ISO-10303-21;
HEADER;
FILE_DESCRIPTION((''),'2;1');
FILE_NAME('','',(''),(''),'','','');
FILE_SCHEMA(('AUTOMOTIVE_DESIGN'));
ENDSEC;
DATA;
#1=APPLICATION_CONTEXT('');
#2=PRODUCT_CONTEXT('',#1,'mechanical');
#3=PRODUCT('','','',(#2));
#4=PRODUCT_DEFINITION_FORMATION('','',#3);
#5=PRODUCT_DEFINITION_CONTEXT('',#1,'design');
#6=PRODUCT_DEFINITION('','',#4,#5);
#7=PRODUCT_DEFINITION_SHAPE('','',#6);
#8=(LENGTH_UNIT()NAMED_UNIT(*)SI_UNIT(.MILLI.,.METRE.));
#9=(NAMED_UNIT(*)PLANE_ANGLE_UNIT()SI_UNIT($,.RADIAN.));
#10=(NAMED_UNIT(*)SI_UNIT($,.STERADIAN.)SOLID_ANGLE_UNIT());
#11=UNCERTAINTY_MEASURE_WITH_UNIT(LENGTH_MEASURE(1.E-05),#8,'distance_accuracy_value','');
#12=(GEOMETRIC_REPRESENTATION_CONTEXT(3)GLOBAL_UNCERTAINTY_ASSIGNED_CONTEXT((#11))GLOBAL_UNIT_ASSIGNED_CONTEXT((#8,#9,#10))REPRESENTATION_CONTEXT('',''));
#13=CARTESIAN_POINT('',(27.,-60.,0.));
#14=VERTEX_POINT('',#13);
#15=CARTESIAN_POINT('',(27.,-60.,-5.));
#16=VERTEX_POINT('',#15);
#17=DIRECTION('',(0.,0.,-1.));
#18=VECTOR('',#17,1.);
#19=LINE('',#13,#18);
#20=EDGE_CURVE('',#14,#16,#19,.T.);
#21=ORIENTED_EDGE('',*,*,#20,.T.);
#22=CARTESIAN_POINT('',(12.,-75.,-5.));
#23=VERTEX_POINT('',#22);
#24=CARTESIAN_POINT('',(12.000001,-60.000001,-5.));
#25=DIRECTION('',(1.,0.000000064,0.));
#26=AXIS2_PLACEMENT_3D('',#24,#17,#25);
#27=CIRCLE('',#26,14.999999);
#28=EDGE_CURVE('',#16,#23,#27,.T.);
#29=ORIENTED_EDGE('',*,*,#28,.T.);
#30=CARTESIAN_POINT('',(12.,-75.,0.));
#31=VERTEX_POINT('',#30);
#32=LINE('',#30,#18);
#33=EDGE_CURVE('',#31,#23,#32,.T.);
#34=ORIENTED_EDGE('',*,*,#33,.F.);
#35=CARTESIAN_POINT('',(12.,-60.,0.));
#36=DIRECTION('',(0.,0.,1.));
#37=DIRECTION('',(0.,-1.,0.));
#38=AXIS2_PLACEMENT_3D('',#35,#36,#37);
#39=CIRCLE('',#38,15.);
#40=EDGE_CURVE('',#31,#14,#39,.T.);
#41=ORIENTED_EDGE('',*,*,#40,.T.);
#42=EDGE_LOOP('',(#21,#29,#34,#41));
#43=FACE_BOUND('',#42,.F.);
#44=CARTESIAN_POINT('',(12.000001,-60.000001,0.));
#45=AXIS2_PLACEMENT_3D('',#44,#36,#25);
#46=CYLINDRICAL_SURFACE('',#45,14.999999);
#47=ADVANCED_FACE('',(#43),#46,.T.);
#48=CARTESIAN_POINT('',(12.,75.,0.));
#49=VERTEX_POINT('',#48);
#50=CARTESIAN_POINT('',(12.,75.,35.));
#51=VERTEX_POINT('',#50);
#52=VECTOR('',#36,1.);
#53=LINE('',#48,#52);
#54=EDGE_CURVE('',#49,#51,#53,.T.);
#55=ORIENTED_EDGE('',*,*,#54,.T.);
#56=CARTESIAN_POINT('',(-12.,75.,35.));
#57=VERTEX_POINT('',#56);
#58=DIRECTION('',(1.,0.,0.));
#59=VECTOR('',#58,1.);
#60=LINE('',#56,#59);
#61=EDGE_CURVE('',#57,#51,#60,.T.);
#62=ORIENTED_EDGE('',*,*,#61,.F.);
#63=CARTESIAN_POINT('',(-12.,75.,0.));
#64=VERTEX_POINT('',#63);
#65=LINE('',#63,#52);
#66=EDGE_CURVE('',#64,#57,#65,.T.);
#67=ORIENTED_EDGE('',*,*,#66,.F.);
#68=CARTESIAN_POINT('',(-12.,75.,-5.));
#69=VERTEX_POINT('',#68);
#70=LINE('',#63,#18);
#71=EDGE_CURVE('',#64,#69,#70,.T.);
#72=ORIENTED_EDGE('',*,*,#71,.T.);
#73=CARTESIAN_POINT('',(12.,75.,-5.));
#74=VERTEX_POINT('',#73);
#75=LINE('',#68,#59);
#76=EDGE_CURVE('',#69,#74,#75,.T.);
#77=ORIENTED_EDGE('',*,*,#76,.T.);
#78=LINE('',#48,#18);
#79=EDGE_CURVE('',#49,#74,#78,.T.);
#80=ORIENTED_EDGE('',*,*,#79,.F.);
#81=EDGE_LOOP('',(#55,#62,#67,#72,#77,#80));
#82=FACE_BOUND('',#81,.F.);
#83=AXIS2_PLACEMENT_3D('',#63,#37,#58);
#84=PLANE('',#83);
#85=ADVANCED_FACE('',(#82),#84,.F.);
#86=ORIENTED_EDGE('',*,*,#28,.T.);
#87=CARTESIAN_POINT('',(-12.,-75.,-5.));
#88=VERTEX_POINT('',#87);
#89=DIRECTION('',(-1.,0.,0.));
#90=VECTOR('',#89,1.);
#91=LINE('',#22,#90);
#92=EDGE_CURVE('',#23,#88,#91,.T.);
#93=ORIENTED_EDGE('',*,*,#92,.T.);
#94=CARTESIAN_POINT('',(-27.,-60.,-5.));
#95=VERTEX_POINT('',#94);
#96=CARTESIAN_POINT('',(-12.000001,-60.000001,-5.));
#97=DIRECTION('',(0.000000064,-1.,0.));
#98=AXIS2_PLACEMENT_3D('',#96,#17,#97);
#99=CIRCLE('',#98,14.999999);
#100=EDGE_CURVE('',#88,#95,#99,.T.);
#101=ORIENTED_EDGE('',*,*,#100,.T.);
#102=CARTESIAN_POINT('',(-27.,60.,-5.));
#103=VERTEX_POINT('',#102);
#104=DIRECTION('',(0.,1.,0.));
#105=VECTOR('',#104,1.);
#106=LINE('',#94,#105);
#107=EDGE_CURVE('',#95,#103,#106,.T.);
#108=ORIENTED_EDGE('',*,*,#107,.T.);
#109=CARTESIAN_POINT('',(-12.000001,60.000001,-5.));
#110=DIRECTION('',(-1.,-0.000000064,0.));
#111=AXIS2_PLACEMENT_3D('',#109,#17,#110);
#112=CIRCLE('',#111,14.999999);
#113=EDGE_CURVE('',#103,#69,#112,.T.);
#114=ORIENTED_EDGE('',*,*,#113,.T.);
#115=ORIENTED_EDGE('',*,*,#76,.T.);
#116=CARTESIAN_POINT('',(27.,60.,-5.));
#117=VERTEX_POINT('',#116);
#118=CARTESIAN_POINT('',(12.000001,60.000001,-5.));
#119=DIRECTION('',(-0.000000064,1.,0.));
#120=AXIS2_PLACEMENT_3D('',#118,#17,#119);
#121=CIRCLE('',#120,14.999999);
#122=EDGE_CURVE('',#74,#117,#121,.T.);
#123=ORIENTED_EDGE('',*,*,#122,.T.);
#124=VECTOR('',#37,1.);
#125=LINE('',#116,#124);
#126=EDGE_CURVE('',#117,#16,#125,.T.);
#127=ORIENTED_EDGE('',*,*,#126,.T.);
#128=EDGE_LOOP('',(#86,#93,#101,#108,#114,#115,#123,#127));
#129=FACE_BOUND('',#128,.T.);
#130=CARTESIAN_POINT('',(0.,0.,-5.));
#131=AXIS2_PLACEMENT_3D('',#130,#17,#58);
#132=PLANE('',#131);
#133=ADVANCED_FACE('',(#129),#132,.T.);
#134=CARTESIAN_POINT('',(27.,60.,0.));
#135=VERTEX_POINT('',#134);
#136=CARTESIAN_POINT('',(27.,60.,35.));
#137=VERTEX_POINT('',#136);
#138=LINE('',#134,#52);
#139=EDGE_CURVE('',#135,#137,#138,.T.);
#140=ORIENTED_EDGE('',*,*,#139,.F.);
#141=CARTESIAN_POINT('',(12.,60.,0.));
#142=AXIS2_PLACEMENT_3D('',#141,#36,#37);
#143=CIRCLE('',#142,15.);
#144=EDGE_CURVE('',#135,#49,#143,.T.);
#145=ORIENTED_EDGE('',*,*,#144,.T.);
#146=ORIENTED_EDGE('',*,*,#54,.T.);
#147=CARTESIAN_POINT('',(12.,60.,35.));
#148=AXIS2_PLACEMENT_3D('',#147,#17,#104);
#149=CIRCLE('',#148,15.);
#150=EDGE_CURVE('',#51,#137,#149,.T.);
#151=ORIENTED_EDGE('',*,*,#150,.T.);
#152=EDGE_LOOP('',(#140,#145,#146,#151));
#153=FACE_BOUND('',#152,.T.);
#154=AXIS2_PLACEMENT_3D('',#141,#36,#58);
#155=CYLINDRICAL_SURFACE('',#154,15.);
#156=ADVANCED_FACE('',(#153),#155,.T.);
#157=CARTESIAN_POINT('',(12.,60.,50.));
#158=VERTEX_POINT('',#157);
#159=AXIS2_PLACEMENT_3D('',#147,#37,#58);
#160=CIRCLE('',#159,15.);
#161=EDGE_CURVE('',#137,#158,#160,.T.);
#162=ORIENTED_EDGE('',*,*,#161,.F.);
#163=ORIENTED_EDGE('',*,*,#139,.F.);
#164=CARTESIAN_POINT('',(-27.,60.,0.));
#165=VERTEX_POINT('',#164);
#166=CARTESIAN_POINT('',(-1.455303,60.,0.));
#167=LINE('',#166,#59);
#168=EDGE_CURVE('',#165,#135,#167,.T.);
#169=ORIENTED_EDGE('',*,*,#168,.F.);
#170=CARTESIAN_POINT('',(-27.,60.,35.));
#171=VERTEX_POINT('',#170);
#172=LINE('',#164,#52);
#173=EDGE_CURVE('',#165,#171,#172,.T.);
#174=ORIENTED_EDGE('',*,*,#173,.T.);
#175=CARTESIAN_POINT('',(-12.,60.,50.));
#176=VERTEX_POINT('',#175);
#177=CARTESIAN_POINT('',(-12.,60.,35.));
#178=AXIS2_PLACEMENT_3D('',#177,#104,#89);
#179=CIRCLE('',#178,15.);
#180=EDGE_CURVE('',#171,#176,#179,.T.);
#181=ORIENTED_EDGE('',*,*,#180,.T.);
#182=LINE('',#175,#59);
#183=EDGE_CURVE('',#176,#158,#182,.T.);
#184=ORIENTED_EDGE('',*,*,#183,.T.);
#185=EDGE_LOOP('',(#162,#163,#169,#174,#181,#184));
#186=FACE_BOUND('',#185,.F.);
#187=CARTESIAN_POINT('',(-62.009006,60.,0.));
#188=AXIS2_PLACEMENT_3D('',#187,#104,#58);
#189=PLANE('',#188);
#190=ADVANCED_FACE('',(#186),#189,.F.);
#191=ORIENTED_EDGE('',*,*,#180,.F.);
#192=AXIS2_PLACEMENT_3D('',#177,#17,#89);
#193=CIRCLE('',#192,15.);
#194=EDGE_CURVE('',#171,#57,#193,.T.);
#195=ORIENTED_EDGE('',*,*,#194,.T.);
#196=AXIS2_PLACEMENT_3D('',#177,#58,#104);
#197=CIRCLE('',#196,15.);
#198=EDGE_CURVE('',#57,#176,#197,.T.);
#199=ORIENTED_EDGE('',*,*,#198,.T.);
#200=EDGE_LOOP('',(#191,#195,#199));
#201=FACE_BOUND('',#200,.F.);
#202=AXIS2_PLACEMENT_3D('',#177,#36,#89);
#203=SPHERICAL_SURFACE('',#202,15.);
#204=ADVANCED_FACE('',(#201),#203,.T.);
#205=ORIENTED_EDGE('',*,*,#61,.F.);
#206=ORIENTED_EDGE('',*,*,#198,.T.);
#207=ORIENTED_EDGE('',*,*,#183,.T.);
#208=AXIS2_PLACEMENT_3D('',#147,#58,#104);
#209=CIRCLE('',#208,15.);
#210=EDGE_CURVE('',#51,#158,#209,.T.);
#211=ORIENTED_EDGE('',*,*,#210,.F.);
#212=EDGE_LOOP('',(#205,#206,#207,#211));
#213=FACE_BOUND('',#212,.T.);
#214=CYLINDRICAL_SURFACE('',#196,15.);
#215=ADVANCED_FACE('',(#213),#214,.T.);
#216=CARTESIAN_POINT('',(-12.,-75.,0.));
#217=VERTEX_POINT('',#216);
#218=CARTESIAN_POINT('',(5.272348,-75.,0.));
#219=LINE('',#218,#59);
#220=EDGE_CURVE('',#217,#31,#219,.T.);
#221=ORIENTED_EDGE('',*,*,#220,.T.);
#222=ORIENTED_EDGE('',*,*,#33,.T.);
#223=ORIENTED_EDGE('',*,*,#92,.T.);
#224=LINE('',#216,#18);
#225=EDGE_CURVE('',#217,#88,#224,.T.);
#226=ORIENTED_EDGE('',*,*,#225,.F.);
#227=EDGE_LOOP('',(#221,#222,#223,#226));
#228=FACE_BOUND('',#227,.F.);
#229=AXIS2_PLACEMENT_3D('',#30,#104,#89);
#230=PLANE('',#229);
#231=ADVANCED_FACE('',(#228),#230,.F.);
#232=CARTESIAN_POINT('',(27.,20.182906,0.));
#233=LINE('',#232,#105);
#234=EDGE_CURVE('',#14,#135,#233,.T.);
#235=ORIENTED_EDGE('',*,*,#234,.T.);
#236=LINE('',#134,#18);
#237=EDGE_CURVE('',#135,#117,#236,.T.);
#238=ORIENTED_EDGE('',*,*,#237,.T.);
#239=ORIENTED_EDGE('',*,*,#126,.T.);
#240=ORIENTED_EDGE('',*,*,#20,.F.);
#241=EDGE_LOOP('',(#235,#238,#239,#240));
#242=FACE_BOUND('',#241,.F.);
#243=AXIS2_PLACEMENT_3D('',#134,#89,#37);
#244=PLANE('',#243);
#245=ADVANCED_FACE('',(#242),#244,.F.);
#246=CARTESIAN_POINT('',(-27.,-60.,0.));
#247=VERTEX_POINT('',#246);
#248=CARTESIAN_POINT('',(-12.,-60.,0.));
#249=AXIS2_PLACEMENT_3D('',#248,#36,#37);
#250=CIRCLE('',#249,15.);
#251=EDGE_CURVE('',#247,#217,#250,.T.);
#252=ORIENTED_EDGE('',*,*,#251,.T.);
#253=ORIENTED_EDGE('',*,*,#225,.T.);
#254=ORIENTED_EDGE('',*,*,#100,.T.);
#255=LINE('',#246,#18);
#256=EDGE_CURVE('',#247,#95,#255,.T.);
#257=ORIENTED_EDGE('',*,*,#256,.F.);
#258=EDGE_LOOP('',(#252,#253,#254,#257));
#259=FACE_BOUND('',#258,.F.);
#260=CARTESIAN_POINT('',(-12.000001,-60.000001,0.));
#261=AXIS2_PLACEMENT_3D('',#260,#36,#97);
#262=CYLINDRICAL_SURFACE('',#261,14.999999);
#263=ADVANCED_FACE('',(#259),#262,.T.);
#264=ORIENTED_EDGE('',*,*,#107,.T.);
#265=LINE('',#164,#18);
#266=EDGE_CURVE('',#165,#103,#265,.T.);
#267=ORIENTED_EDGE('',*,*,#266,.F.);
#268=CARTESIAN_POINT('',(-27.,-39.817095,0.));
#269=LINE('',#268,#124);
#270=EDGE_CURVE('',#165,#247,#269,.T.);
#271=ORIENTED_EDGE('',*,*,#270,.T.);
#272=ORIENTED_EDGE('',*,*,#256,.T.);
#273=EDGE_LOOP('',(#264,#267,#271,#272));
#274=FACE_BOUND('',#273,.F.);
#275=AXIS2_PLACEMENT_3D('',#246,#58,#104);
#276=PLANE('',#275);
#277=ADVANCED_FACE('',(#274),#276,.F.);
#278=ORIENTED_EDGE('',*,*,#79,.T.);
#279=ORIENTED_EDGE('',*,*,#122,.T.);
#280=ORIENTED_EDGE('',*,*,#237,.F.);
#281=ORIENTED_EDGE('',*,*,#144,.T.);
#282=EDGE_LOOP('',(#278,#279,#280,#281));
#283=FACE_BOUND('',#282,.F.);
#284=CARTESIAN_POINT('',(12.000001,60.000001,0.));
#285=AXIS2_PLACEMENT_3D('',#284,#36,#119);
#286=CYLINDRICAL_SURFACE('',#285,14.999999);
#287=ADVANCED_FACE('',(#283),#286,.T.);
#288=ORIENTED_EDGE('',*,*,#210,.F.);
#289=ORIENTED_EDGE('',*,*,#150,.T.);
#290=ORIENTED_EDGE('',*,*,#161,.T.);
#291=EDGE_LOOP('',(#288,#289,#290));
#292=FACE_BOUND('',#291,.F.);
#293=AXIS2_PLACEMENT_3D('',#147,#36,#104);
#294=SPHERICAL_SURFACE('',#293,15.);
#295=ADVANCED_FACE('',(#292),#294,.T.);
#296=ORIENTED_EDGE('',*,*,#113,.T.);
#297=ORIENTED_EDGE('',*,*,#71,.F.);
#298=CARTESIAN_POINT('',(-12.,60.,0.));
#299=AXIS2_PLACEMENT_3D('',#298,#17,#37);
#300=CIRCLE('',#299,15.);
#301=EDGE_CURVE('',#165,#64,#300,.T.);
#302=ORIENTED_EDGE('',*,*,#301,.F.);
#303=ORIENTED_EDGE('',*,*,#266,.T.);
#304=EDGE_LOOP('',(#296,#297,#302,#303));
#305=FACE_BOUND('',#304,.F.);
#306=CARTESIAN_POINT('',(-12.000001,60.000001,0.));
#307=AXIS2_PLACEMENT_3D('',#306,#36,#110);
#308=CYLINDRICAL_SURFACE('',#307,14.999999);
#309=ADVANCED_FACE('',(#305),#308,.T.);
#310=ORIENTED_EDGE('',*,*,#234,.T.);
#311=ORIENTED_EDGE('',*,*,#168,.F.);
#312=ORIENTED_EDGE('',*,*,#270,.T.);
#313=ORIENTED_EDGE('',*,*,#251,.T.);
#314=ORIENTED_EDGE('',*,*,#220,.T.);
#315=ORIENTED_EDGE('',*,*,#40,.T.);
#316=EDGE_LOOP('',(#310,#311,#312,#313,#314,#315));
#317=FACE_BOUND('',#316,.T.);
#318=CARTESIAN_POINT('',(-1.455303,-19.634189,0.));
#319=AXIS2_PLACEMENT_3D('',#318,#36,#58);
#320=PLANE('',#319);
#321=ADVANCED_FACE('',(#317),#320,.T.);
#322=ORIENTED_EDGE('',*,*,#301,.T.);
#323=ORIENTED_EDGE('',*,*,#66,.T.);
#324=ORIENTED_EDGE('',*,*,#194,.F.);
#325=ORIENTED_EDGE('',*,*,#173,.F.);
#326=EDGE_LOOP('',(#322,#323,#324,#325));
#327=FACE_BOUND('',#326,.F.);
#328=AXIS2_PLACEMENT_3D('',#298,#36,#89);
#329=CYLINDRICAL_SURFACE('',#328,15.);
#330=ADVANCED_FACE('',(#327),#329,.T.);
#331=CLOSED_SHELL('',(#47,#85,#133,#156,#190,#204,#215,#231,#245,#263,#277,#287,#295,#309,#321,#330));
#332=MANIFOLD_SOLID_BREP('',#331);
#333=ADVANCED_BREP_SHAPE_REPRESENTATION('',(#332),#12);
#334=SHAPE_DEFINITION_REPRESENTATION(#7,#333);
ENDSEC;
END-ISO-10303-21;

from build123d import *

# Parameters (mm, degrees)
F0_W     = 54
F0_H     = 150
F1_DEPTH = 50
F2_R     = 15
F3_R     = 15
F5_DEPTH = 5
F6_W     = 121.107407
F6_H     = 159.268379
F7_DEPTH = 50.001


with BuildPart() as f1:
    # F0 (on Top) → F1 (new body)
    with BuildSketch(Plane.XY):
        Rectangle(F0_W, F0_H)
    extrude(amount=F1_DEPTH)

    # F2
    f2_edges = [f1.edges().sort_by_distance(p)[0] for p in [
        (27, -75, 25),
        (-27, -75, 25),
        (27, 75, 25),
        (-27, 75, 25),
    ]]
    fillet(f2_edges, radius=F2_R)

    # F3
    f3_edges = [f1.edges().sort_by_distance(p)[0] for p in [
        (-27, 0, 50),
    ]]
    fillet(f3_edges, radius=F3_R)

    # F4 (on face) → F5 (join)
    with BuildSketch(Plane(origin=(0, 0, 0), x_dir=(1, 0, 0), z_dir=(0, 0, -1))):
        with BuildLine():
            ThreePointArc((12, -75), (22.606602, -70.606602), (27, -60))
            Line((27, -60), (27, 60))
            ThreePointArc((27, 60), (22.606602, 70.606602), (12, 75))
            Line((12, 75), (-12, 75))
            ThreePointArc((-12, 75), (-22.606602, 70.606602), (-27, 60))
            Line((-27, 60), (-27, -60))
            ThreePointArc((-27, -60), (-22.606602, -70.606602), (-12, -75))
            Line((-12, -75), (12, -75))
        make_face()
    extrude(amount=F5_DEPTH)

    # F6 (on Top) → F7 (cut, through all)
    with BuildSketch(Plane.XY):
        with Locations((-1.455303, -19.634189)):
            Rectangle(F6_W, F6_H)
    extrude(amount=F7_DEPTH, mode=Mode.SUBTRACT)


solid = f1.part
